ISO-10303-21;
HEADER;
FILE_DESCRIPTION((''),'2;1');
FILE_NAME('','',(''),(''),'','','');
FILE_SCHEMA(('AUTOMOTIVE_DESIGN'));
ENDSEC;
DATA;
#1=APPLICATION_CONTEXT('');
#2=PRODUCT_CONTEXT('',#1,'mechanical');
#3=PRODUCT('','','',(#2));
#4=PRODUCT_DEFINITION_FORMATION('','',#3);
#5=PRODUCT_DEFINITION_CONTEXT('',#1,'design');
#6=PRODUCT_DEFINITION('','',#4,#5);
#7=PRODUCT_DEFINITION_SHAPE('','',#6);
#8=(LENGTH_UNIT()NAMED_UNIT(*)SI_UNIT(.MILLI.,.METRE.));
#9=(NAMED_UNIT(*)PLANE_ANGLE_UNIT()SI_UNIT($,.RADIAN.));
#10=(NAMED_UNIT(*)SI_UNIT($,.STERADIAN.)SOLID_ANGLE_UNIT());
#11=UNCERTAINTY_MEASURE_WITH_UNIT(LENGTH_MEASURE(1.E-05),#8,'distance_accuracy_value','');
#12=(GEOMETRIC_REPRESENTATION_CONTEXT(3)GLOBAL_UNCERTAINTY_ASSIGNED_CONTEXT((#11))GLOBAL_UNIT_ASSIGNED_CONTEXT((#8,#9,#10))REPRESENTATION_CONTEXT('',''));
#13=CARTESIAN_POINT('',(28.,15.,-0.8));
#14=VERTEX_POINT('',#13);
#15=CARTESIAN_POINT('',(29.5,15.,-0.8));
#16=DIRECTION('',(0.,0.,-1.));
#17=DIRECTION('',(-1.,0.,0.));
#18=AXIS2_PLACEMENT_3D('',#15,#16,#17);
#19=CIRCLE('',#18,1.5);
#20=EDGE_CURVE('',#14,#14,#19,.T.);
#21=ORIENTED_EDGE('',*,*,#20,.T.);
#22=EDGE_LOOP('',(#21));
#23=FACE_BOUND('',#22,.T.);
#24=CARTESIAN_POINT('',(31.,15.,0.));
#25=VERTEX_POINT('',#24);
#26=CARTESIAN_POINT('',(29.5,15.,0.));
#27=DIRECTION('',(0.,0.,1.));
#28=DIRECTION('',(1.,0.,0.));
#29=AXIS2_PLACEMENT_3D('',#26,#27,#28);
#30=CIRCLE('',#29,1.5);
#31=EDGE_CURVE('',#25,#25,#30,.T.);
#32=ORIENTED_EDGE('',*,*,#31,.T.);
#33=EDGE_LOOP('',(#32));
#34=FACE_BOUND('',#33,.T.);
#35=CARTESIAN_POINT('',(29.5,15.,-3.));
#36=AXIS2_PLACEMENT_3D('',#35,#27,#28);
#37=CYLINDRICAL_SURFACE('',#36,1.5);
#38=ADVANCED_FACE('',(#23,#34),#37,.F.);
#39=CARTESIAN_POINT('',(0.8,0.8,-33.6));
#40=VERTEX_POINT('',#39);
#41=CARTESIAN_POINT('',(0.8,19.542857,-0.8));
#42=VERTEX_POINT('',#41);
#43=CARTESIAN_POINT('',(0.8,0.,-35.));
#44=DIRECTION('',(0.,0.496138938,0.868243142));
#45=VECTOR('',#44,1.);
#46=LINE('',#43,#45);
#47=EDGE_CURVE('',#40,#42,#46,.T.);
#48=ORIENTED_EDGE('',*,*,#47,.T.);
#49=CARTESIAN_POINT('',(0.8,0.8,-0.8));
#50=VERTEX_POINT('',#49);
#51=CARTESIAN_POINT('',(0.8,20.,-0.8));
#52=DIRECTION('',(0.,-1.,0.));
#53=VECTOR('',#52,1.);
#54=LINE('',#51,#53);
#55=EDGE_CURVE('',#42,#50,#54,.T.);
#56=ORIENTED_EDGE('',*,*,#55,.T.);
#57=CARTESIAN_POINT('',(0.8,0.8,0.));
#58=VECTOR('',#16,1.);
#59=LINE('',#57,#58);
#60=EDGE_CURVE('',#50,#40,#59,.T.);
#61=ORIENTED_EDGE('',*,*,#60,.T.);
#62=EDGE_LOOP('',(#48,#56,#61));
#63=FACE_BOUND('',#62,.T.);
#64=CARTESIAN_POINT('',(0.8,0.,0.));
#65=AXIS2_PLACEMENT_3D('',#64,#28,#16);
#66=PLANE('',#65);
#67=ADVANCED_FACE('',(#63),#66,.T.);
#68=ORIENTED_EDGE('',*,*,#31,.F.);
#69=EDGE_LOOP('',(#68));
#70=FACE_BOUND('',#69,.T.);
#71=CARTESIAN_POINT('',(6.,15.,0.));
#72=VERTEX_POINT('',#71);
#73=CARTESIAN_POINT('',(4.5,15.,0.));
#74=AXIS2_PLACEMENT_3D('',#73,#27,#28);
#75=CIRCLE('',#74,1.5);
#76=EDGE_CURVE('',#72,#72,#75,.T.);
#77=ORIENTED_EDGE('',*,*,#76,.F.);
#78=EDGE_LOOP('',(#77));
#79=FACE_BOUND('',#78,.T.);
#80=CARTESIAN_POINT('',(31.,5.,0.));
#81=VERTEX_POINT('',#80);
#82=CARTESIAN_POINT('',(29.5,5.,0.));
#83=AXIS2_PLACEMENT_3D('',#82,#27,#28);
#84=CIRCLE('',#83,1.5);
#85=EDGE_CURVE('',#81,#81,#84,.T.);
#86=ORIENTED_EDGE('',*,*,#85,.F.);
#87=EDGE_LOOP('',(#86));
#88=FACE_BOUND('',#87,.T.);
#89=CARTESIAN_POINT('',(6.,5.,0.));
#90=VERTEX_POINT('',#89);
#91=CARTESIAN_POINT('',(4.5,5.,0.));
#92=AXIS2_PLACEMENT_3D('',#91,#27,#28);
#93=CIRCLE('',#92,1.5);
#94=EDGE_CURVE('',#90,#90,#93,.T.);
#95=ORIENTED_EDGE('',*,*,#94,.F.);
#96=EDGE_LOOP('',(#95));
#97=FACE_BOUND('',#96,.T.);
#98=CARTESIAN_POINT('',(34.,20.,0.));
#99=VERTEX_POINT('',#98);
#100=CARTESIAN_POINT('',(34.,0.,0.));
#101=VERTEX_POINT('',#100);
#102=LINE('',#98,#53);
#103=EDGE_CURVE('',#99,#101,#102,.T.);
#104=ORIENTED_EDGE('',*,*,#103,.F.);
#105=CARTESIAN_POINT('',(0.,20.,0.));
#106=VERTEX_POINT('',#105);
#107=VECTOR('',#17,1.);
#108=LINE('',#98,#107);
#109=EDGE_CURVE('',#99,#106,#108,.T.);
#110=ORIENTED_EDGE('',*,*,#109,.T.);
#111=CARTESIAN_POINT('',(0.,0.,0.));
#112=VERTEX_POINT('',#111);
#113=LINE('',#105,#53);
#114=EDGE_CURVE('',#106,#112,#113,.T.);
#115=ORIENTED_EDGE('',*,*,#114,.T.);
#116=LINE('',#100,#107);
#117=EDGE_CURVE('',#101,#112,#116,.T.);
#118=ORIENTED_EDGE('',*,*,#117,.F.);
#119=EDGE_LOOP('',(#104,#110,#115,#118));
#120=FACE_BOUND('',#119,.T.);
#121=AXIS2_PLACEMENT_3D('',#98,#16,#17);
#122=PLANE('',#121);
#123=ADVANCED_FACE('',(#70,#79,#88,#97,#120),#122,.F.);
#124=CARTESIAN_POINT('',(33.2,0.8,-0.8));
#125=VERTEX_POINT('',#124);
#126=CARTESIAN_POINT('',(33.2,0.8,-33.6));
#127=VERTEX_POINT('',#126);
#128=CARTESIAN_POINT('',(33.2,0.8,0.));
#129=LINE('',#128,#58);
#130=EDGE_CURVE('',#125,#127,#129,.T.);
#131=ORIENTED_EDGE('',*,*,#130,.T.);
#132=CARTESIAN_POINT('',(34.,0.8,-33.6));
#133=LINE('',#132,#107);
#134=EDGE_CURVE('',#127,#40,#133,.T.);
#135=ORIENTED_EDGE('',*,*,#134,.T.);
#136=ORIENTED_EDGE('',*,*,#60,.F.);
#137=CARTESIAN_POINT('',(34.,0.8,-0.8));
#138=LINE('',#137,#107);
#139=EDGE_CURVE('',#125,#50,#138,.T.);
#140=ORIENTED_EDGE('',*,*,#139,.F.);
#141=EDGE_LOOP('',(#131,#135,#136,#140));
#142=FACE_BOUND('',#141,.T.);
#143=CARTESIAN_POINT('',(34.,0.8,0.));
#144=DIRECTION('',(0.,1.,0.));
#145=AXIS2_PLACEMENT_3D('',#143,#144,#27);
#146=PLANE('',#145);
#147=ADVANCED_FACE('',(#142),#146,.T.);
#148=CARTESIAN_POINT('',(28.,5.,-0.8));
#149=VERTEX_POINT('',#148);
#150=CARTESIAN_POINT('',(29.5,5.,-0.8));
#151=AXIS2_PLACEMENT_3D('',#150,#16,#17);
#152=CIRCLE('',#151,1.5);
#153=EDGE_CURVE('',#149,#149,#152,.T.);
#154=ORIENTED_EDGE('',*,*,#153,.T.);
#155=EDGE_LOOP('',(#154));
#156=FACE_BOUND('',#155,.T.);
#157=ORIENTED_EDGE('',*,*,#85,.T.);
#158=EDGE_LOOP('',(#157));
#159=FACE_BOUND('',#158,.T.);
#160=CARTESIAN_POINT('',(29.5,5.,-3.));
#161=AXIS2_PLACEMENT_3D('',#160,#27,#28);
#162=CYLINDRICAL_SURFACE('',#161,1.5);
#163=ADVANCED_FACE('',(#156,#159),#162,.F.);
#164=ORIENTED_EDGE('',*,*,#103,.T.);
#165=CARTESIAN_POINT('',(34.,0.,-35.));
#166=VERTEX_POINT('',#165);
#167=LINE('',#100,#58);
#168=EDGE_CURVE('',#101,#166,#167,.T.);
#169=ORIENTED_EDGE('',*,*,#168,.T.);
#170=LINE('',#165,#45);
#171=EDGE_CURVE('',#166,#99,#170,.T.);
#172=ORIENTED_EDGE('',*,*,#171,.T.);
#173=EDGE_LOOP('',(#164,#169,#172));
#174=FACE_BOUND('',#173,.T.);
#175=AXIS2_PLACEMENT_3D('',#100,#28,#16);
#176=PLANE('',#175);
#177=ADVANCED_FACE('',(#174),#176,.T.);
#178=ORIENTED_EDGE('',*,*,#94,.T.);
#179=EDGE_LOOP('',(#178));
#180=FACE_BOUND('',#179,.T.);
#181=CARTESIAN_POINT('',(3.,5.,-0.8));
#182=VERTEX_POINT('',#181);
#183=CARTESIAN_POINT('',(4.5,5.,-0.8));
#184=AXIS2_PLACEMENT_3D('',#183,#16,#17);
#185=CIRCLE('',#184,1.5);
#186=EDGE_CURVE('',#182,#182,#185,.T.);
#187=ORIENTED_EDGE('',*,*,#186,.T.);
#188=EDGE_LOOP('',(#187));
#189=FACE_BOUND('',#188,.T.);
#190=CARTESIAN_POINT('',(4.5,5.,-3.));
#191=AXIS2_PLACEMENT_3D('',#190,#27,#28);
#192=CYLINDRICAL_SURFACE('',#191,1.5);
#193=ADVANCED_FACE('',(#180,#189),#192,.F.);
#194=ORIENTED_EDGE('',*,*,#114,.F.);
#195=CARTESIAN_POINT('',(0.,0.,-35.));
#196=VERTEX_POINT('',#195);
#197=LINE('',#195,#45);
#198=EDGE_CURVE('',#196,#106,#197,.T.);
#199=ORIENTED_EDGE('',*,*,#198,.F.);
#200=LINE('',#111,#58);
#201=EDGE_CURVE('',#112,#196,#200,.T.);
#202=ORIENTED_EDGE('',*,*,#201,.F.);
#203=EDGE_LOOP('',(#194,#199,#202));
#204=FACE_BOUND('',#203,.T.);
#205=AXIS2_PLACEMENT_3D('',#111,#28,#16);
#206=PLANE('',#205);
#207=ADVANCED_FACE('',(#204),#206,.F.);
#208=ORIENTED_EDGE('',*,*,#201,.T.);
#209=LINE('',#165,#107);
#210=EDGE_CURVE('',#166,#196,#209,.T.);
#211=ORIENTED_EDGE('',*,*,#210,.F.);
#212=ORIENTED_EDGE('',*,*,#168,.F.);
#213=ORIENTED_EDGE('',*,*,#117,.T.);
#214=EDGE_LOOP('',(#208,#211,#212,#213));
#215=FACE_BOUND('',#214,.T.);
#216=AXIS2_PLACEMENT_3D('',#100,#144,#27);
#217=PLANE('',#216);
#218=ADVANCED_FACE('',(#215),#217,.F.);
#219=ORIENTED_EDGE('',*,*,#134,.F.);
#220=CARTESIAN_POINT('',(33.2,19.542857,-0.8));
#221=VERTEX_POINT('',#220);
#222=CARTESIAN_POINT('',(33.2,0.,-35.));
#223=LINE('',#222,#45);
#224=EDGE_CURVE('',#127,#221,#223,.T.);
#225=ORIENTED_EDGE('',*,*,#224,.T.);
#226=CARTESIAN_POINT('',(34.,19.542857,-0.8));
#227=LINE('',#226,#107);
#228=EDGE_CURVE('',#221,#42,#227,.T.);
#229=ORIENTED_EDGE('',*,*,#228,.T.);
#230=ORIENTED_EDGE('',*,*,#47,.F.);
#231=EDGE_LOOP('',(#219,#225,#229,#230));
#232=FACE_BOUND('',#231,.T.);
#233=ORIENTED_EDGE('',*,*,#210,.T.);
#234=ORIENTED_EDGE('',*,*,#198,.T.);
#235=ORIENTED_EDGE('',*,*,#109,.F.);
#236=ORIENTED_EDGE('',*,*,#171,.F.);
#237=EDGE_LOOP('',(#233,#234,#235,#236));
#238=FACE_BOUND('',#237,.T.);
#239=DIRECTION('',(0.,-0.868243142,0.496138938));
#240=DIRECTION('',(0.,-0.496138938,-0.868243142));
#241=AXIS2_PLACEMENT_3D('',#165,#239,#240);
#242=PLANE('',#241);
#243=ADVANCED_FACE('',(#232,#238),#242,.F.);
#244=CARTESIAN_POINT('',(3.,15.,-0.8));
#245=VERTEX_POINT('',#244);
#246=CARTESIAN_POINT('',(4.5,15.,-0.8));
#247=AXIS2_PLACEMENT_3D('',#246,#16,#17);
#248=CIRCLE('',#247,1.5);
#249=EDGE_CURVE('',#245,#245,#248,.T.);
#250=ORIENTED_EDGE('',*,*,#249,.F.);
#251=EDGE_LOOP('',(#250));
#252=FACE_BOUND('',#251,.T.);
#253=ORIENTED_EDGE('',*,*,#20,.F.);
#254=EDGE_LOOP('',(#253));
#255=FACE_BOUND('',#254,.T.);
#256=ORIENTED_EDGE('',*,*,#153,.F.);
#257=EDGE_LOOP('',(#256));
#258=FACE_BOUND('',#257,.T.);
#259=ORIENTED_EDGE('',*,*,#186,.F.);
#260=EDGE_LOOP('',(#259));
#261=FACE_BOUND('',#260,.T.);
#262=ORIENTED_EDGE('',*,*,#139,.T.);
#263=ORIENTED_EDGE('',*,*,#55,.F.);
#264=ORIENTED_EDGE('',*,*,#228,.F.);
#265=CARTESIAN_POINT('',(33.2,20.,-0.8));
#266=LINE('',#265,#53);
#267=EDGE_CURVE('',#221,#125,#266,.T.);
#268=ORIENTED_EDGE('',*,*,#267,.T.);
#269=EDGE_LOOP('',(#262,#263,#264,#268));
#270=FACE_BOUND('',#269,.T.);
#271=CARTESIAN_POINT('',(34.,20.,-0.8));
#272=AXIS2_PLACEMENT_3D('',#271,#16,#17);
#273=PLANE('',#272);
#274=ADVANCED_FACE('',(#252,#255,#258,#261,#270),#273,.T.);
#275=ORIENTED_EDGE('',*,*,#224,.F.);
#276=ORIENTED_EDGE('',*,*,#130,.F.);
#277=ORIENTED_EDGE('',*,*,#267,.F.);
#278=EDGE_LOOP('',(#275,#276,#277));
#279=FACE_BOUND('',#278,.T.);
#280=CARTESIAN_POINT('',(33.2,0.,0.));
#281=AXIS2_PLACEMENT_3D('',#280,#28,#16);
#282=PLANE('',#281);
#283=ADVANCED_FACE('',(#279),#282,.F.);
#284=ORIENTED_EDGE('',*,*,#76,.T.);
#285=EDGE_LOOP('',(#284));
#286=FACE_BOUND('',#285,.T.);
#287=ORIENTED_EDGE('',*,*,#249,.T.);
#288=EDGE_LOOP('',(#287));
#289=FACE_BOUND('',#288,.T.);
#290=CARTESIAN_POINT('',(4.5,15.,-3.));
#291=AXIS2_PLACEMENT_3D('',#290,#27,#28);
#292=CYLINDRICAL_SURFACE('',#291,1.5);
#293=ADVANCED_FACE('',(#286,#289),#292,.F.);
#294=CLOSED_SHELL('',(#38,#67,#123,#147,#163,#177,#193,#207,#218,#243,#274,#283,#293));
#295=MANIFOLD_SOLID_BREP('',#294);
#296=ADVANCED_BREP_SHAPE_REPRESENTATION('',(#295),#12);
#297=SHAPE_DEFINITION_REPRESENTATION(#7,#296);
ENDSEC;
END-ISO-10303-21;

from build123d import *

# Parameters (mm, degrees)
SALIENTE_EXTRUIR3_DEPTH = 34
VACIADO5_T              = -0.8
CROQUIS5_R              = 1.5
CORTAR_EXTRUIR1_DEPTH   = 3


with BuildPart() as part:
    # Croquis4 → Saliente-Extruir3 (new body)
    with BuildSketch(Plane(origin=(0, 0, 0), x_dir=(0, 0, -1), z_dir=(1, 0, 0))):
        Polygon((0, 0), (35, 0), (0, 20), align=None)
    extrude(amount=SALIENTE_EXTRUIR3_DEPTH)

    # Vaciado5
    vaciado5_openings = [part.faces().sort_by_distance(p)[0] for p in [
        (17, 10, -17.5),
    ]]
    offset(amount=VACIADO5_T, openings=vaciado5_openings, kind=Kind.INTERSECTION)

    # Croquis5 → Cortar-Extruir1 (cut)
    with BuildSketch(Plane.XY):
        with Locations((4.5, 15)):
            Circle(CROQUIS5_R)
        with Locations((29.5, 15)):
            Circle(CROQUIS5_R)
        with Locations((29.5, 5)):
            Circle(CROQUIS5_R)
        with Locations((4.5, 5)):
            Circle(CROQUIS5_R)
    extrude(amount=-CORTAR_EXTRUIR1_DEPTH, mode=Mode.SUBTRACT)


solid = part.part
